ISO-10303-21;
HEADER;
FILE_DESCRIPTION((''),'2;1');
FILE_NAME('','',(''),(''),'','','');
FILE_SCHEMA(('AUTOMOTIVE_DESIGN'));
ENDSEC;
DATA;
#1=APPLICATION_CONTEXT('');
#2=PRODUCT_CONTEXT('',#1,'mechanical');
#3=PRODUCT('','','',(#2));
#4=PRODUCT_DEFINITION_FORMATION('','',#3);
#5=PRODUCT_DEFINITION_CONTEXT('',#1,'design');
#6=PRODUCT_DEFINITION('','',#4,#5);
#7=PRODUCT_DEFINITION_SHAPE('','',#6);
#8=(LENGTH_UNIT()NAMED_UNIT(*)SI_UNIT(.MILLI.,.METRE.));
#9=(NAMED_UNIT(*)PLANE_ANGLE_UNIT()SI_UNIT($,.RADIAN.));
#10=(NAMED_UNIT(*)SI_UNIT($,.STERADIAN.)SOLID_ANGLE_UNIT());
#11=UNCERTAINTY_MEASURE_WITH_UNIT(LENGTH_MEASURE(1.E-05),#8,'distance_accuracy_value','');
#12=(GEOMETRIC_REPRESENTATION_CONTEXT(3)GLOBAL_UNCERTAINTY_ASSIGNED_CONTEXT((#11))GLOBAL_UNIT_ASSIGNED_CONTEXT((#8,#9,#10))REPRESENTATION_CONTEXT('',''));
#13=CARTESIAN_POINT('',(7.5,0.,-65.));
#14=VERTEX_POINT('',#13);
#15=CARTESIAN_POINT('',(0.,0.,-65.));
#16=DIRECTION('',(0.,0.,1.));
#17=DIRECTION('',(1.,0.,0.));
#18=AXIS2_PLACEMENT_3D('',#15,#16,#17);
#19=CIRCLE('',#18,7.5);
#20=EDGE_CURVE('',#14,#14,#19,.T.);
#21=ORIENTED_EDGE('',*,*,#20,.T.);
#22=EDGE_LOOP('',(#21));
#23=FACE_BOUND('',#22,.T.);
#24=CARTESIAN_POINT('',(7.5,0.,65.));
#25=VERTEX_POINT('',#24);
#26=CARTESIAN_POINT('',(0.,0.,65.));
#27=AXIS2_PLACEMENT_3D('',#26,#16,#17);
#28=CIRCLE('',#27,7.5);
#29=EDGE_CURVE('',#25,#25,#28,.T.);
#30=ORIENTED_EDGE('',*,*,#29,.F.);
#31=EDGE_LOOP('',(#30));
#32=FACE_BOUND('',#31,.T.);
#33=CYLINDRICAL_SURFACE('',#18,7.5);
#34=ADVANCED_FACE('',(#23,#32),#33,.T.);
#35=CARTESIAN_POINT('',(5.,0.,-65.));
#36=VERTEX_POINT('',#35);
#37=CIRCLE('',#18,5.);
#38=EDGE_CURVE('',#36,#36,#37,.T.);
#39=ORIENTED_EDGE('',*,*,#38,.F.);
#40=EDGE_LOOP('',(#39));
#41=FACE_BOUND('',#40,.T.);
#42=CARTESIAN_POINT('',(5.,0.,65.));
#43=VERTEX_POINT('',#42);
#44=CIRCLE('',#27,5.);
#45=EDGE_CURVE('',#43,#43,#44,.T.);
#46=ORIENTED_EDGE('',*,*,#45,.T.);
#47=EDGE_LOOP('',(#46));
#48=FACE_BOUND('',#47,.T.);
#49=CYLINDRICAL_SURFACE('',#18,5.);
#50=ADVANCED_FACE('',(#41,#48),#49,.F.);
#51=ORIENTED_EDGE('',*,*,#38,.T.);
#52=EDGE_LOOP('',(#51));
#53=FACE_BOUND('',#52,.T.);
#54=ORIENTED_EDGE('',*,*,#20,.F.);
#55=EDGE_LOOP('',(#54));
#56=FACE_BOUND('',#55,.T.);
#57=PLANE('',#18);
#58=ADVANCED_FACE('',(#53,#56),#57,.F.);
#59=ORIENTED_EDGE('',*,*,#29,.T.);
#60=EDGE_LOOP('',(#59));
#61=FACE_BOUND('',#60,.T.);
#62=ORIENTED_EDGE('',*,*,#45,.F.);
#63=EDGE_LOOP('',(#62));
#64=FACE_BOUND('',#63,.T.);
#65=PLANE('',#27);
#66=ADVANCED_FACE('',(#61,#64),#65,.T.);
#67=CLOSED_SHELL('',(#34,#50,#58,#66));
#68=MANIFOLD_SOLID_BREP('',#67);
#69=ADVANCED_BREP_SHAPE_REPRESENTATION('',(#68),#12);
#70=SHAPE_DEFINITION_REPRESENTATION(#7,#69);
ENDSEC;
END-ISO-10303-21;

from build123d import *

# Parameters (mm, degrees)
BOSS_EXTRUDE1_DEPTH      = 65
BOSS_EXTRUDE1_DEPTH_BACK = 65
SKETCH1_R                = 7.5
SKETCH1_R_2              = 5


with BuildPart() as part:
    # Sketch1 → Boss-Extrude1 (new, two sides: drawn at the far end of the back side and taken through both)
    with BuildSketch(Plane.XY.offset(-BOSS_EXTRUDE1_DEPTH_BACK)):
        Circle(SKETCH1_R)
        Circle(SKETCH1_R_2, mode=Mode.SUBTRACT)
    extrude(amount=BOSS_EXTRUDE1_DEPTH + BOSS_EXTRUDE1_DEPTH_BACK)


solid = part.part
